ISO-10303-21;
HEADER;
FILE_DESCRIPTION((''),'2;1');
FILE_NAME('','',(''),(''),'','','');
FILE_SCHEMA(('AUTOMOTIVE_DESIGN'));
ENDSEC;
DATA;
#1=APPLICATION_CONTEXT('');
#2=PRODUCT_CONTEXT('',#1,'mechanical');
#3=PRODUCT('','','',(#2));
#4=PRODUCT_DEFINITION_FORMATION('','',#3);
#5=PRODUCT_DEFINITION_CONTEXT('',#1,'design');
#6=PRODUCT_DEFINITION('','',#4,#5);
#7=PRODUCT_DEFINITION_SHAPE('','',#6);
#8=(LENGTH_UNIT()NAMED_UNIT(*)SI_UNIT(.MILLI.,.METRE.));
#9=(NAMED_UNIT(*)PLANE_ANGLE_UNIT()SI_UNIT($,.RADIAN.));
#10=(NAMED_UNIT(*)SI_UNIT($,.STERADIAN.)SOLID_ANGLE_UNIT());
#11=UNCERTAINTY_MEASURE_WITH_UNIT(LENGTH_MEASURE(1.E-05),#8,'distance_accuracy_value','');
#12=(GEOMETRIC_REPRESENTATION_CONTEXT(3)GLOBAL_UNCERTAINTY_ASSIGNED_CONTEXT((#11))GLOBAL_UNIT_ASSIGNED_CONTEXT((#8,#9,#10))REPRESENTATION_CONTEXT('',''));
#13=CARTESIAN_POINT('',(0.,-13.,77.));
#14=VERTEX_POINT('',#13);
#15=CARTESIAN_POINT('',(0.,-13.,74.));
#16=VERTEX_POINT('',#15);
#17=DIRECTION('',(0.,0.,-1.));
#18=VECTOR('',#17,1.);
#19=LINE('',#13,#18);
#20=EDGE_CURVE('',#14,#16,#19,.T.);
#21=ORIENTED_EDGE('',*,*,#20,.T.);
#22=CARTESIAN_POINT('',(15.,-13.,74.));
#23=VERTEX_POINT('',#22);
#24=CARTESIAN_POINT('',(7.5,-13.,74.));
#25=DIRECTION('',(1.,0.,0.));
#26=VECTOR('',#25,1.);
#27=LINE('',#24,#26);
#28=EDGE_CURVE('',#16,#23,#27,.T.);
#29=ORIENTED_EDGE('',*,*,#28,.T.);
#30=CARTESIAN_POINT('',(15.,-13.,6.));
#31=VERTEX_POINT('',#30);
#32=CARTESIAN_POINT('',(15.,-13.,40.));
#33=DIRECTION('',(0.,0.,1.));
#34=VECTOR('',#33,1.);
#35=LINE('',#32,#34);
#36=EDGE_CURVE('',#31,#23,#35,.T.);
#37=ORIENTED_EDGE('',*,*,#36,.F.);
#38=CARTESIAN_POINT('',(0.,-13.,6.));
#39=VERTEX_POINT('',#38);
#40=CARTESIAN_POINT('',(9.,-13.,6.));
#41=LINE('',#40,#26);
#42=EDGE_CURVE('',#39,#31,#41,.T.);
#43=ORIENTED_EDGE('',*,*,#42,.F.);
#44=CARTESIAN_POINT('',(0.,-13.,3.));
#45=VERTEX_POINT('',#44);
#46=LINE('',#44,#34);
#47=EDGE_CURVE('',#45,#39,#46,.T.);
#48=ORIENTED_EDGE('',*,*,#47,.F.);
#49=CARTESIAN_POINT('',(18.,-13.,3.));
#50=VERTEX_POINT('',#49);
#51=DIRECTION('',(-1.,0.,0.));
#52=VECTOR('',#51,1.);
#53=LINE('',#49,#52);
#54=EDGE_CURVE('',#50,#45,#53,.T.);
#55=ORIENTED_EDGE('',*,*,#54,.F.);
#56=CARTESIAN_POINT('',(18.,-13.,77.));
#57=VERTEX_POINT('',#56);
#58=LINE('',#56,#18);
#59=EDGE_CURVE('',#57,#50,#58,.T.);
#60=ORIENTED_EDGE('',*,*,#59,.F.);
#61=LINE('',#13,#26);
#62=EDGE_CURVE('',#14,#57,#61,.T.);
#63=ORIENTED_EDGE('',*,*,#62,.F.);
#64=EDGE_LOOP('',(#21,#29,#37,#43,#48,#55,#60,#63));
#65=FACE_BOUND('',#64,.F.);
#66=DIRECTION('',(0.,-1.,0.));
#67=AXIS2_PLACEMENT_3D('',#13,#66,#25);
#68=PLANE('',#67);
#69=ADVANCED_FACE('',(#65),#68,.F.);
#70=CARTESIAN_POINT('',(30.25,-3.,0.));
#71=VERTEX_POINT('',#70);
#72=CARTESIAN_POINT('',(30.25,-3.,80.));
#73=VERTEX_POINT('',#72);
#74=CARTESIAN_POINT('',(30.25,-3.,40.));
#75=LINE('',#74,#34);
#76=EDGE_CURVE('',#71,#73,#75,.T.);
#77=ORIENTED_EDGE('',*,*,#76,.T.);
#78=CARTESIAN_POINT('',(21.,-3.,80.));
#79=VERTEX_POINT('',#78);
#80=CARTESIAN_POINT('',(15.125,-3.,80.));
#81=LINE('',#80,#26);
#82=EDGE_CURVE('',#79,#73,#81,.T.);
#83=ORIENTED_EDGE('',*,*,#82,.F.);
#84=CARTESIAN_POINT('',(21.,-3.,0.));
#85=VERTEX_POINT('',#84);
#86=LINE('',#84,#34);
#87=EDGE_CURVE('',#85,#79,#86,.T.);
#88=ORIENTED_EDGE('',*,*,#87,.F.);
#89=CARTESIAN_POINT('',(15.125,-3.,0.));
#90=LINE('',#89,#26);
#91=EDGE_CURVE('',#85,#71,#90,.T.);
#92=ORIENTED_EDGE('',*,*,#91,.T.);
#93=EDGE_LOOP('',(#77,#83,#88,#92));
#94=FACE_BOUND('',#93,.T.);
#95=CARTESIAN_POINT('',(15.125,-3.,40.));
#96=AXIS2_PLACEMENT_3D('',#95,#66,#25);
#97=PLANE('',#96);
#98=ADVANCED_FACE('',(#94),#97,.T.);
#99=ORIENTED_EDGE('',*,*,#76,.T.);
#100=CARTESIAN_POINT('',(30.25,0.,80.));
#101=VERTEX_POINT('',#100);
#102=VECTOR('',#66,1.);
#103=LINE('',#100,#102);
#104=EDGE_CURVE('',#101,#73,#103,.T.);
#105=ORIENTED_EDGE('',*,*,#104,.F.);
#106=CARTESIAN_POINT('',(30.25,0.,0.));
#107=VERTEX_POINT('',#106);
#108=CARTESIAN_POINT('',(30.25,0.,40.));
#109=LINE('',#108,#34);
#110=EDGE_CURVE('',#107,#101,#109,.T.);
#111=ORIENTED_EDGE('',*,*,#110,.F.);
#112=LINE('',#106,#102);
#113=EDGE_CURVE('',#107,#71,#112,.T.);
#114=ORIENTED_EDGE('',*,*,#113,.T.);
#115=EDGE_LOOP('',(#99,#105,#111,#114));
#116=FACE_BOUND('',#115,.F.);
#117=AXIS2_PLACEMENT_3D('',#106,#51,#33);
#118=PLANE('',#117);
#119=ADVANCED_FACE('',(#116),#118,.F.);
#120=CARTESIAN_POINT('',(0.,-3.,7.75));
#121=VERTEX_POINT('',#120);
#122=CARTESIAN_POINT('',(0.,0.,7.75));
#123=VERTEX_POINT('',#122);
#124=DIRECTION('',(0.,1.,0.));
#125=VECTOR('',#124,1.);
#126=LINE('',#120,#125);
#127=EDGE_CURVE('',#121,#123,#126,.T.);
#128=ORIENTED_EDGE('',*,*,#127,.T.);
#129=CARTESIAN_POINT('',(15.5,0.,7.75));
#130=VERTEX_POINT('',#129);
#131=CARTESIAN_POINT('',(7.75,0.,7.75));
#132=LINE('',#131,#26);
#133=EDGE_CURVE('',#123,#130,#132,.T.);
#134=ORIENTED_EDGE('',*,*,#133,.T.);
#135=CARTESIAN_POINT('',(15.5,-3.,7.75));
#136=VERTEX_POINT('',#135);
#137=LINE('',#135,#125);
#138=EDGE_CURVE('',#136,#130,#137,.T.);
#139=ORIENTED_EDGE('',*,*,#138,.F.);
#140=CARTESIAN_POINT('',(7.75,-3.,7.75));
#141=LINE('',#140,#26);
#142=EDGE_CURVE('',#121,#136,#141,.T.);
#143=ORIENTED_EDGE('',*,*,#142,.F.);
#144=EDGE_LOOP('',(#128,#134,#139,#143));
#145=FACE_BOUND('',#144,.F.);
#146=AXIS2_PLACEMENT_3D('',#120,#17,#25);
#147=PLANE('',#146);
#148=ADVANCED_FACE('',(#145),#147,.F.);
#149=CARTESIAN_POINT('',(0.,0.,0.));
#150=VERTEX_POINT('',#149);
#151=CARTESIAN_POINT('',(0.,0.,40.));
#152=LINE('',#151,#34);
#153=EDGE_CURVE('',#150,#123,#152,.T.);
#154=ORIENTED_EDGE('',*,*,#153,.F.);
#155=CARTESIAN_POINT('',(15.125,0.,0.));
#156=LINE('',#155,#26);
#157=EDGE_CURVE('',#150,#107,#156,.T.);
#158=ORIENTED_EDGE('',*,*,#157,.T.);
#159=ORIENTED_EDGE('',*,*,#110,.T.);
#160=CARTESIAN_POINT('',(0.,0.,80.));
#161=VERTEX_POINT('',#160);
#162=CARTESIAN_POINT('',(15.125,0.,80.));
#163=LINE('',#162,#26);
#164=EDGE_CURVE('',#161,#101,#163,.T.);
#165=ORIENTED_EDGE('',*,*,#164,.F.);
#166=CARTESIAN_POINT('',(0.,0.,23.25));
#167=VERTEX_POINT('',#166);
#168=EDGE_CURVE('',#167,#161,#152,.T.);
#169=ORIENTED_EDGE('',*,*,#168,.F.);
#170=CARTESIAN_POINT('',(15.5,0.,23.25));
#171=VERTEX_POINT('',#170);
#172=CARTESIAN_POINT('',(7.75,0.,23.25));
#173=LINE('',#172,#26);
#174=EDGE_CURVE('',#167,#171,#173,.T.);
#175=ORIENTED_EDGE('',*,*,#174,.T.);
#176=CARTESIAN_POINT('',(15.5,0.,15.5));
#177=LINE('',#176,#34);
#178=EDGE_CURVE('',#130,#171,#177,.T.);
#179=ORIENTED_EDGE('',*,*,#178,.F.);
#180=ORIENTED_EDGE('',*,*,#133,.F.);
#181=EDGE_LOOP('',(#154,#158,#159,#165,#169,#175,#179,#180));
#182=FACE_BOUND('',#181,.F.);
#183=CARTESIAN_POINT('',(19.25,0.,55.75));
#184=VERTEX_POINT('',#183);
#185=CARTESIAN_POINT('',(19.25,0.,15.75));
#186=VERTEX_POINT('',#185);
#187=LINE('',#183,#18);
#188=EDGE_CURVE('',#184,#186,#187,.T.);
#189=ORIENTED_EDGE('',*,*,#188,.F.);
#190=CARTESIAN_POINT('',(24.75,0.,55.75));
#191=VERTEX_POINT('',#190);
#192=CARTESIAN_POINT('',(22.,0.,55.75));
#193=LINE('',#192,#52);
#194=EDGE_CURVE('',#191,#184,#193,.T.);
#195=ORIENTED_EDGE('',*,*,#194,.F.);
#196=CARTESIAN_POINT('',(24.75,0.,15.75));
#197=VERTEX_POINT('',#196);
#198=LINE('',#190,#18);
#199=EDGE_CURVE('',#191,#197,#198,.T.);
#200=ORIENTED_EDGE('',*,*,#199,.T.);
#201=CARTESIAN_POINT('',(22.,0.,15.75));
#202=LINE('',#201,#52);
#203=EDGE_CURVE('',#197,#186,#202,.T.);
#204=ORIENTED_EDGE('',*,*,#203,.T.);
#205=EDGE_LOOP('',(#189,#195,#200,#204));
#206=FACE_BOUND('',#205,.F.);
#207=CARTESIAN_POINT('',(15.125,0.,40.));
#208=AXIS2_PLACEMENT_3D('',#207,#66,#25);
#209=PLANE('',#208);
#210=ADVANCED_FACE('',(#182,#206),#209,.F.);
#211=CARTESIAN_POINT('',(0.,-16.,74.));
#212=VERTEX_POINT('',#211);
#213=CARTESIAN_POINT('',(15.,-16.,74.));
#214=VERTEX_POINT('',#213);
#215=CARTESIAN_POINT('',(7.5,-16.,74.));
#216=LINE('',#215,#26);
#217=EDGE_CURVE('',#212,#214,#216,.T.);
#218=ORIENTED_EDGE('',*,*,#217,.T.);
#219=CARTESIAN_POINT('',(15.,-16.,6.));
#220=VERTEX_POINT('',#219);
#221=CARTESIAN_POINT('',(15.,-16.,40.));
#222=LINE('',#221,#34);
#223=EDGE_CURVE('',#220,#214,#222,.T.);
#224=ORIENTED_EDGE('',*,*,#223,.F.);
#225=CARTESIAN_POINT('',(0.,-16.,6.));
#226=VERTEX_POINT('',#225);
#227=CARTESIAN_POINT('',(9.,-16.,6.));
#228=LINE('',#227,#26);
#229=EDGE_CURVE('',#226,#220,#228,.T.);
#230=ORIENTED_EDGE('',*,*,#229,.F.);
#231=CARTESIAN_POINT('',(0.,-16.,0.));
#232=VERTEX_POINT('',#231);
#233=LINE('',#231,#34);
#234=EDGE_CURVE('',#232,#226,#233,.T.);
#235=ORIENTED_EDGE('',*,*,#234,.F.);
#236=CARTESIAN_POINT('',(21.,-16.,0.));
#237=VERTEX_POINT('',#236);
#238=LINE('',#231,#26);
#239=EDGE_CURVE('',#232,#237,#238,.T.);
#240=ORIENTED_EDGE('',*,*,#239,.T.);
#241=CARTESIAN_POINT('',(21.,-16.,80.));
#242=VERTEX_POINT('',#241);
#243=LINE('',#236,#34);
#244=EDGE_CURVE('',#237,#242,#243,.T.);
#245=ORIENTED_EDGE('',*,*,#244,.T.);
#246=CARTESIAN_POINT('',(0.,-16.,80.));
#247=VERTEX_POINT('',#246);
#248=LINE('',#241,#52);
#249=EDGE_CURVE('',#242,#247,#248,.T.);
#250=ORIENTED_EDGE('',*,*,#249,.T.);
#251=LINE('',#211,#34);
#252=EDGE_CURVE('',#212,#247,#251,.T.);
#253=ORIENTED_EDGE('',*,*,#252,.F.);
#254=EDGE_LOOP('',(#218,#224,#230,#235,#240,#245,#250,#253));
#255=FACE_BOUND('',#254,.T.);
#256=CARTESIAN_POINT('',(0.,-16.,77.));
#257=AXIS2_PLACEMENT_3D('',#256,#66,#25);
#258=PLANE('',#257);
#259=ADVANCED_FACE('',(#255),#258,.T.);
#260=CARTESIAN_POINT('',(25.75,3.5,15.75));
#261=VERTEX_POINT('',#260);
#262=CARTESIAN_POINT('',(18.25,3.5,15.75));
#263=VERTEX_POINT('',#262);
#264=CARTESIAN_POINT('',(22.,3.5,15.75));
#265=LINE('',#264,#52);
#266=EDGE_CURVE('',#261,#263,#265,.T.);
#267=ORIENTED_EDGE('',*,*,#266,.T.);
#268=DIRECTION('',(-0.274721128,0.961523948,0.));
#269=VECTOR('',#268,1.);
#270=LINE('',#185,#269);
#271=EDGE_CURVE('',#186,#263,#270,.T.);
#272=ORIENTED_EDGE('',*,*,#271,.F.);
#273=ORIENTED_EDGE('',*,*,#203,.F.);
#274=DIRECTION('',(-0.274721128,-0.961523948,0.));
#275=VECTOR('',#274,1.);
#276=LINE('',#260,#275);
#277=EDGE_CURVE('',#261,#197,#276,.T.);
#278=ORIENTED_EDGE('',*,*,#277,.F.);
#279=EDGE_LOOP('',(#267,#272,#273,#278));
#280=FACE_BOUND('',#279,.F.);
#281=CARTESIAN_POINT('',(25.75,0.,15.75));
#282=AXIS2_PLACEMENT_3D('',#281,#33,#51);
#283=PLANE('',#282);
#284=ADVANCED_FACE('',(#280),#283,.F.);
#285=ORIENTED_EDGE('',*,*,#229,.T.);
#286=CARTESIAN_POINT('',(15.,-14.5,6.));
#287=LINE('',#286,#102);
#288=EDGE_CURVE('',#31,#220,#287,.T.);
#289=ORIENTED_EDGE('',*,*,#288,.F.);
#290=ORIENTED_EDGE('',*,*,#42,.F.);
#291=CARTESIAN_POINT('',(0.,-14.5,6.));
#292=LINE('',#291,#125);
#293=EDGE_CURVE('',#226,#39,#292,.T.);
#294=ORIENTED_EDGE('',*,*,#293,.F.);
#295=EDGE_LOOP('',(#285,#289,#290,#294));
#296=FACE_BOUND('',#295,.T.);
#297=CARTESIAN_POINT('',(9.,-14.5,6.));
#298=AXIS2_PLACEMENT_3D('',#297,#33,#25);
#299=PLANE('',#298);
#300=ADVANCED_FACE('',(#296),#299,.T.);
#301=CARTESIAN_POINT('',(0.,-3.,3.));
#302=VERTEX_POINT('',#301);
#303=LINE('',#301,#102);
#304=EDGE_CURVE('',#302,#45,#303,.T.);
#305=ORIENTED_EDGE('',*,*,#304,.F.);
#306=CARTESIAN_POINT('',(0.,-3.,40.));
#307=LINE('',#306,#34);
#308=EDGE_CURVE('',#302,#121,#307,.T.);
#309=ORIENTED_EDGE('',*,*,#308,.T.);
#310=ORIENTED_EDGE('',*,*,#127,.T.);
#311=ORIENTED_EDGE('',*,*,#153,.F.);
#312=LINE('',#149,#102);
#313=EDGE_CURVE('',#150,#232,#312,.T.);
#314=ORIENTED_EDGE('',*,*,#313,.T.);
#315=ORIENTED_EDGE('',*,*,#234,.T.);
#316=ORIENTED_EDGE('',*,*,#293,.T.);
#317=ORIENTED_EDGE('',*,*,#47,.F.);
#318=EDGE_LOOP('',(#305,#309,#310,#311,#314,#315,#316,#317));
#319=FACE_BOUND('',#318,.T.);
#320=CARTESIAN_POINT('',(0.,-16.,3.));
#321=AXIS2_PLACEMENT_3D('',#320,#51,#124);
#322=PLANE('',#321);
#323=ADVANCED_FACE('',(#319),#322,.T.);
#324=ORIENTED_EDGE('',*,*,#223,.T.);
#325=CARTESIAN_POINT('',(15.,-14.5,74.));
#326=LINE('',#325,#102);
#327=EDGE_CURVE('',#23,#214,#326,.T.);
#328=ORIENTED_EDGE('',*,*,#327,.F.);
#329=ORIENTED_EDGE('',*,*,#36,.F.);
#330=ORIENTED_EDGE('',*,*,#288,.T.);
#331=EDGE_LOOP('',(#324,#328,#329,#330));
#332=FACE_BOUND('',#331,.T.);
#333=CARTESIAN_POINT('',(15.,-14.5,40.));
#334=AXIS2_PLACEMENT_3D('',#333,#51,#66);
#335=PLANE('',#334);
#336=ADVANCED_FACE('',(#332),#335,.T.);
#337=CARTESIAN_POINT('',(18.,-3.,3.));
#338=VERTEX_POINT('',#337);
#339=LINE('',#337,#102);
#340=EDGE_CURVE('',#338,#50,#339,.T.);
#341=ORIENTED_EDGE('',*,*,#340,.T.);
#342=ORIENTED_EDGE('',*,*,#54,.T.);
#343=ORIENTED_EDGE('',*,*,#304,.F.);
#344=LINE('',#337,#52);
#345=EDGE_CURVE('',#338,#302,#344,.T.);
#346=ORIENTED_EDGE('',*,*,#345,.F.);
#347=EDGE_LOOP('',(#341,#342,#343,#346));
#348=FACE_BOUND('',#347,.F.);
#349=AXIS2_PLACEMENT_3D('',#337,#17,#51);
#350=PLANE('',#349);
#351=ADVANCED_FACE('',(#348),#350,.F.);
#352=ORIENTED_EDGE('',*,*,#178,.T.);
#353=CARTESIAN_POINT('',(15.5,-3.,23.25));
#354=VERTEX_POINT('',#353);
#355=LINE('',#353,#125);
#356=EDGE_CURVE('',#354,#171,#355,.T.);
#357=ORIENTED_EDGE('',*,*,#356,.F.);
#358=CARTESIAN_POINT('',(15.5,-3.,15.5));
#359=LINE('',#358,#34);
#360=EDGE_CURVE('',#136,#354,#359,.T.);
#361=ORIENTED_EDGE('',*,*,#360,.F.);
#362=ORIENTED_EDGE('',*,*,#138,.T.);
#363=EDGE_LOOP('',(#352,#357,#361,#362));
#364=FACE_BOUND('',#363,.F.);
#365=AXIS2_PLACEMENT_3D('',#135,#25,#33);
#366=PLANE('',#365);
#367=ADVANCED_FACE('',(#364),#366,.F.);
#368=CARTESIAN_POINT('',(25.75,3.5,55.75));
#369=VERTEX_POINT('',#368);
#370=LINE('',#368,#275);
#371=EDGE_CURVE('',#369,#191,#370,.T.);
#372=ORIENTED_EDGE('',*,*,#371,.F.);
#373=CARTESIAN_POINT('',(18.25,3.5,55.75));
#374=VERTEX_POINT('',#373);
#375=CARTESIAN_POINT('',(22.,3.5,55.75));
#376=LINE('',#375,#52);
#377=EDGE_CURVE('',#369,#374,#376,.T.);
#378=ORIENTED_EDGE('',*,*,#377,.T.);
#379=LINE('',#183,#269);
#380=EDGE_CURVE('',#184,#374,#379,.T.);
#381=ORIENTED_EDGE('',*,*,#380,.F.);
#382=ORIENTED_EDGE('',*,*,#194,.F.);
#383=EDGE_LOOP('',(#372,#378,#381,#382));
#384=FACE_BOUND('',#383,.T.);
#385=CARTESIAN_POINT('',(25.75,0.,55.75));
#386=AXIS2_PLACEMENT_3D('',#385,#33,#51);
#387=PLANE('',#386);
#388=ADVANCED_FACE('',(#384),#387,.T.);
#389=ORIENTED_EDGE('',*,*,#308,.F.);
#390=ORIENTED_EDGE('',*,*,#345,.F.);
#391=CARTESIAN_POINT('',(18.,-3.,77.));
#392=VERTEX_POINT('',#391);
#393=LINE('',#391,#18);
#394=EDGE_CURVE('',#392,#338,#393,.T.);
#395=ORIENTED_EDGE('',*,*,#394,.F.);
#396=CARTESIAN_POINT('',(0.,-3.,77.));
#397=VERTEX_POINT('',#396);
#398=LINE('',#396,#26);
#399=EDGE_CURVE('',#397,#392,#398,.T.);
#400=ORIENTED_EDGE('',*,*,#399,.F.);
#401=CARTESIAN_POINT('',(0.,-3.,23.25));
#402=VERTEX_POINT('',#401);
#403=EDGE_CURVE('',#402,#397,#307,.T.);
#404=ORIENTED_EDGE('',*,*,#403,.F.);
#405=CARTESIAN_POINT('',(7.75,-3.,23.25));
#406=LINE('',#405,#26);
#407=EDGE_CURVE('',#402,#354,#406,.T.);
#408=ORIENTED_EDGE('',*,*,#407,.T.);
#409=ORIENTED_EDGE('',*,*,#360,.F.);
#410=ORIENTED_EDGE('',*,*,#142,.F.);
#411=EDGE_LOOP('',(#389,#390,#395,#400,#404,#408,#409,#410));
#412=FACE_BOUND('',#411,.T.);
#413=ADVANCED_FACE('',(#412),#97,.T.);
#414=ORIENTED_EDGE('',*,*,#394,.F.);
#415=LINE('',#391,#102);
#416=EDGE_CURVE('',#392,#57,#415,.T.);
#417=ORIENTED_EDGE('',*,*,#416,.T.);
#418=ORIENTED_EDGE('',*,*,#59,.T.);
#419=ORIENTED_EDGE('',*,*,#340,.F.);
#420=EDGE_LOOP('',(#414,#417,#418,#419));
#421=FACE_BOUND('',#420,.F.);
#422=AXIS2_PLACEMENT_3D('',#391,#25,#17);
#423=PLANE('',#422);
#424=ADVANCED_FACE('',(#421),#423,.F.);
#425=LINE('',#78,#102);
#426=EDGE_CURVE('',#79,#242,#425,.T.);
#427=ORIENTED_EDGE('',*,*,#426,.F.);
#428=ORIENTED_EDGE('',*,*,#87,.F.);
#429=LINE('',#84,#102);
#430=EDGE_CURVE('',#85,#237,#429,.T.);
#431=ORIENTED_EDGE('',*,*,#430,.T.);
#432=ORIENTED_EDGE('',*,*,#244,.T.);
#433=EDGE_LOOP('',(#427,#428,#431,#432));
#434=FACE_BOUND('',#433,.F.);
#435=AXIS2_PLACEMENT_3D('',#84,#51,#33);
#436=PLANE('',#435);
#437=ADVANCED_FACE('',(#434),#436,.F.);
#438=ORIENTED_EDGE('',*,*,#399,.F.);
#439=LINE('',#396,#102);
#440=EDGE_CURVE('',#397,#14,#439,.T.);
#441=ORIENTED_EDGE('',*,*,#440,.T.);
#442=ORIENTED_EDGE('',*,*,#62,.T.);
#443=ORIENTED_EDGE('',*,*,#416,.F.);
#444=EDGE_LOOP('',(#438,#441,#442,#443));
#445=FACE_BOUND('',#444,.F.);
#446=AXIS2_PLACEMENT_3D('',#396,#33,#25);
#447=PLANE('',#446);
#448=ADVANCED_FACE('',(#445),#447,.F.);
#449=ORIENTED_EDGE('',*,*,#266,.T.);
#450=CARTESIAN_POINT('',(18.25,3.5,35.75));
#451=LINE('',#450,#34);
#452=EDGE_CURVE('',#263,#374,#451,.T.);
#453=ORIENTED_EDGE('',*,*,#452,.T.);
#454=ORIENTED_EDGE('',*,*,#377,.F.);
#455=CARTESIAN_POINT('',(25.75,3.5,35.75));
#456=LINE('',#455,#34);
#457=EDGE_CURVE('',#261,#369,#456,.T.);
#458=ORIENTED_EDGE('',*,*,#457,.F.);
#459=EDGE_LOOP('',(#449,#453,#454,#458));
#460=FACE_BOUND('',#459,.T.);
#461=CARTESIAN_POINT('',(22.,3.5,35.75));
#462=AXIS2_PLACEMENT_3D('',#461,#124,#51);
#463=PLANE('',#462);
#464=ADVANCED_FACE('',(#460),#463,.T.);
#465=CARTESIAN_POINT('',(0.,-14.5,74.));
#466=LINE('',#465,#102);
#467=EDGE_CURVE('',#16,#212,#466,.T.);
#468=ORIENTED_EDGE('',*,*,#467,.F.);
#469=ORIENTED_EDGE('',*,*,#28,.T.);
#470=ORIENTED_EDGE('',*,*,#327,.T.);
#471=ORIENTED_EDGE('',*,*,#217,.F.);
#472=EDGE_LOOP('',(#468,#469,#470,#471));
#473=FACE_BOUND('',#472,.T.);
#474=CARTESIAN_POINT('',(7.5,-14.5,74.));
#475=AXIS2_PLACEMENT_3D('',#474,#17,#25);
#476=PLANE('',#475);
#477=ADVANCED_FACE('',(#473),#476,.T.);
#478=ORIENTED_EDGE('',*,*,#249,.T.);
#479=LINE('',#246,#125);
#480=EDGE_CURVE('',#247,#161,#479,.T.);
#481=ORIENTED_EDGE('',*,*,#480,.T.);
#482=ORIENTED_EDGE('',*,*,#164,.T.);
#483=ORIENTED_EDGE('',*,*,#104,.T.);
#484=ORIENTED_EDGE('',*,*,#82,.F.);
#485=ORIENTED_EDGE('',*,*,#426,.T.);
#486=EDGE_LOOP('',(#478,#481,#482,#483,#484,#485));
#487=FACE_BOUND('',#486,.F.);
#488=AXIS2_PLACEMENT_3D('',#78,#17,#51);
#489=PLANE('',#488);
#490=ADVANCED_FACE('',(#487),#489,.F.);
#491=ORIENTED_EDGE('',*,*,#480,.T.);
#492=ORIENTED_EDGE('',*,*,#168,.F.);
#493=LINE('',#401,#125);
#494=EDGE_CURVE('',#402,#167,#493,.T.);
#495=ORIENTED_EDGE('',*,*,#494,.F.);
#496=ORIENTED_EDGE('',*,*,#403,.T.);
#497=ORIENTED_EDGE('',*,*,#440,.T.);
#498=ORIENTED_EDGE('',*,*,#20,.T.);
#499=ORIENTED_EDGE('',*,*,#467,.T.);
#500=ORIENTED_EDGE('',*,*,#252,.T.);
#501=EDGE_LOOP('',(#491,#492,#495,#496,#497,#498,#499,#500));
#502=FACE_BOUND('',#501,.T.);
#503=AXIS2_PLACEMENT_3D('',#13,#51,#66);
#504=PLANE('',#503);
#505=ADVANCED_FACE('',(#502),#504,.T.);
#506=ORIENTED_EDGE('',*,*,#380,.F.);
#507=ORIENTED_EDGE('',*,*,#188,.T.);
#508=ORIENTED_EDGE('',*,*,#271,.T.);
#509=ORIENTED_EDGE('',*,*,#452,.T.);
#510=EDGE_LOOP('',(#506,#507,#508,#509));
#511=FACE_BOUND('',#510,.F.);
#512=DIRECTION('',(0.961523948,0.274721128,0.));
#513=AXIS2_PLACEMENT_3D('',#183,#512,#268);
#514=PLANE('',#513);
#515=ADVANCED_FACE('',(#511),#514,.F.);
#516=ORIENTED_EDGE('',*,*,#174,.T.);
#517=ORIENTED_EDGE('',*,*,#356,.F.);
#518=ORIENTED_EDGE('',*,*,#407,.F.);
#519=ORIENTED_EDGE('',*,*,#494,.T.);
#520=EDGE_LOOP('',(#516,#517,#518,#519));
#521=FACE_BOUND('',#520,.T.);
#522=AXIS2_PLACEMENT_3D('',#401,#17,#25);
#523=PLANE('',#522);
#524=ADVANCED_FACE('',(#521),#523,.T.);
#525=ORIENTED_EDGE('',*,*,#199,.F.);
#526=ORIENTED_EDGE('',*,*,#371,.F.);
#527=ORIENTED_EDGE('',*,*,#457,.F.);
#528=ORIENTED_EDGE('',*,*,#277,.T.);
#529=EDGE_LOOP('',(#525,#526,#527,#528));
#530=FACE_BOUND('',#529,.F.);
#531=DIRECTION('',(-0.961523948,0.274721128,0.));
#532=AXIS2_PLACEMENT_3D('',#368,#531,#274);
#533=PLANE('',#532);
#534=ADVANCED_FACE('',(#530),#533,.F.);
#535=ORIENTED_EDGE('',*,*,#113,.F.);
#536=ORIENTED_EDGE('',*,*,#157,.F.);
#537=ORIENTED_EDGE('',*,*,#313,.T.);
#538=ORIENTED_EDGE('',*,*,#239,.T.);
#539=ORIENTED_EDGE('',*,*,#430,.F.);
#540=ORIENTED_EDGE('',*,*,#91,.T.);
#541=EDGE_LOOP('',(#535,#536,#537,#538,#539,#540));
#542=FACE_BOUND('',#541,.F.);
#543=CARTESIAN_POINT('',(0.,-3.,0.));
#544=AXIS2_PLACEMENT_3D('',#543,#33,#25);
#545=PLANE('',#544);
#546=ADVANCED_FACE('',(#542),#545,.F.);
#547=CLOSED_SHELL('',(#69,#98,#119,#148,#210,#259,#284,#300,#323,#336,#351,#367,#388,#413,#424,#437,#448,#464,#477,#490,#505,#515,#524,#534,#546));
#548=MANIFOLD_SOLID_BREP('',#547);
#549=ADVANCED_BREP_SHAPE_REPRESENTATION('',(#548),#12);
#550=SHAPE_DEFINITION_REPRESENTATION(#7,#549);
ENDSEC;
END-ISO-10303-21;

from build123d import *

# Parameters (mm, degrees)
F0_W      = 30.25
F0_H      = 80
F1_DEPTH  = 3
F2_W      = 15.5
F2_H      = 15.5
F3_DEPTH  = 3
F4_DEPTH  = 13
F6_W      = 18
F6_H      = 3
F7_DEPTH  = 3
F5_W      = 3
F5_H      = 74
F8_DEPTH  = 3
F9_W      = 15
F9_H      = 3
F10_DEPTH = 3
F11_W     = 7.5
F11_H     = 40
F12_DEPTH = 3.5
F14_DEPTH = 40


with BuildPart() as f1:
    # F0 (on Front) → F1 (new body)
    with BuildSketch(Plane.XZ):
        with Locations((15.125, 40)):
            Rectangle(F0_W, F0_H)
    extrude(amount=F1_DEPTH)

    # F2 (on face) → F3 (cut)
    with BuildSketch(Plane.XZ.offset(3)):
        with Locations((7.75, 15.5)):
            Rectangle(F2_W, F2_H)
    extrude(amount=-F3_DEPTH, mode=Mode.SUBTRACT)

    # F2 (on face) → F4 (join)
    with BuildSketch(Plane.XZ.offset(3)):
        Polygon((18, 3), (0, 3), (0, 0), (21, 0), (21, 80), (0, 80), (0, 77), (18, 77), align=None)
    extrude(amount=F4_DEPTH)

    # F6 (on face) → F7 (join)
    with BuildSketch(Plane.XY.offset(3)):
        with Locations((9, -14.5)):
            Rectangle(F6_W, F6_H)
    extrude(amount=F7_DEPTH)

    # F5 (on face) → F8 (join)
    with BuildSketch(Plane(origin=(18, 0, 0), x_dir=(0, -1, 0), z_dir=(-1, 0, 0))):
        with Locations((14.5, 40)):
            Rectangle(F5_W, F5_H)
    extrude(amount=F8_DEPTH)

    # F9 (on face) → F10 (join)
    with BuildSketch(Plane(origin=(0, 0, 77), x_dir=(1, 0, 0), z_dir=(0, 0, -1))):
        with Locations((7.5, 14.5)):
            Rectangle(F9_W, F9_H)
    extrude(amount=F10_DEPTH)

    # F11 (on face) → F12 (join)
    with BuildSketch(Plane(origin=(0, 0, 0), x_dir=(-1, 0, 0), z_dir=(0, 1, 0))):
        with Locations((-22, 35.75)):
            Rectangle(F11_W, F11_H)
    extrude(amount=F12_DEPTH)

    # F13 (on face) → F14 (cut)
    with BuildSketch(Plane.XY.offset(55.75)):
        Polygon((25.75, 0), (25.75, 3.5), (24.75, 0), align=None)
        Polygon((19.25, 0), (18.25, 3.5), (18.25, 0), align=None)
    extrude(amount=-F14_DEPTH, mode=Mode.SUBTRACT)


solid = f1.part
